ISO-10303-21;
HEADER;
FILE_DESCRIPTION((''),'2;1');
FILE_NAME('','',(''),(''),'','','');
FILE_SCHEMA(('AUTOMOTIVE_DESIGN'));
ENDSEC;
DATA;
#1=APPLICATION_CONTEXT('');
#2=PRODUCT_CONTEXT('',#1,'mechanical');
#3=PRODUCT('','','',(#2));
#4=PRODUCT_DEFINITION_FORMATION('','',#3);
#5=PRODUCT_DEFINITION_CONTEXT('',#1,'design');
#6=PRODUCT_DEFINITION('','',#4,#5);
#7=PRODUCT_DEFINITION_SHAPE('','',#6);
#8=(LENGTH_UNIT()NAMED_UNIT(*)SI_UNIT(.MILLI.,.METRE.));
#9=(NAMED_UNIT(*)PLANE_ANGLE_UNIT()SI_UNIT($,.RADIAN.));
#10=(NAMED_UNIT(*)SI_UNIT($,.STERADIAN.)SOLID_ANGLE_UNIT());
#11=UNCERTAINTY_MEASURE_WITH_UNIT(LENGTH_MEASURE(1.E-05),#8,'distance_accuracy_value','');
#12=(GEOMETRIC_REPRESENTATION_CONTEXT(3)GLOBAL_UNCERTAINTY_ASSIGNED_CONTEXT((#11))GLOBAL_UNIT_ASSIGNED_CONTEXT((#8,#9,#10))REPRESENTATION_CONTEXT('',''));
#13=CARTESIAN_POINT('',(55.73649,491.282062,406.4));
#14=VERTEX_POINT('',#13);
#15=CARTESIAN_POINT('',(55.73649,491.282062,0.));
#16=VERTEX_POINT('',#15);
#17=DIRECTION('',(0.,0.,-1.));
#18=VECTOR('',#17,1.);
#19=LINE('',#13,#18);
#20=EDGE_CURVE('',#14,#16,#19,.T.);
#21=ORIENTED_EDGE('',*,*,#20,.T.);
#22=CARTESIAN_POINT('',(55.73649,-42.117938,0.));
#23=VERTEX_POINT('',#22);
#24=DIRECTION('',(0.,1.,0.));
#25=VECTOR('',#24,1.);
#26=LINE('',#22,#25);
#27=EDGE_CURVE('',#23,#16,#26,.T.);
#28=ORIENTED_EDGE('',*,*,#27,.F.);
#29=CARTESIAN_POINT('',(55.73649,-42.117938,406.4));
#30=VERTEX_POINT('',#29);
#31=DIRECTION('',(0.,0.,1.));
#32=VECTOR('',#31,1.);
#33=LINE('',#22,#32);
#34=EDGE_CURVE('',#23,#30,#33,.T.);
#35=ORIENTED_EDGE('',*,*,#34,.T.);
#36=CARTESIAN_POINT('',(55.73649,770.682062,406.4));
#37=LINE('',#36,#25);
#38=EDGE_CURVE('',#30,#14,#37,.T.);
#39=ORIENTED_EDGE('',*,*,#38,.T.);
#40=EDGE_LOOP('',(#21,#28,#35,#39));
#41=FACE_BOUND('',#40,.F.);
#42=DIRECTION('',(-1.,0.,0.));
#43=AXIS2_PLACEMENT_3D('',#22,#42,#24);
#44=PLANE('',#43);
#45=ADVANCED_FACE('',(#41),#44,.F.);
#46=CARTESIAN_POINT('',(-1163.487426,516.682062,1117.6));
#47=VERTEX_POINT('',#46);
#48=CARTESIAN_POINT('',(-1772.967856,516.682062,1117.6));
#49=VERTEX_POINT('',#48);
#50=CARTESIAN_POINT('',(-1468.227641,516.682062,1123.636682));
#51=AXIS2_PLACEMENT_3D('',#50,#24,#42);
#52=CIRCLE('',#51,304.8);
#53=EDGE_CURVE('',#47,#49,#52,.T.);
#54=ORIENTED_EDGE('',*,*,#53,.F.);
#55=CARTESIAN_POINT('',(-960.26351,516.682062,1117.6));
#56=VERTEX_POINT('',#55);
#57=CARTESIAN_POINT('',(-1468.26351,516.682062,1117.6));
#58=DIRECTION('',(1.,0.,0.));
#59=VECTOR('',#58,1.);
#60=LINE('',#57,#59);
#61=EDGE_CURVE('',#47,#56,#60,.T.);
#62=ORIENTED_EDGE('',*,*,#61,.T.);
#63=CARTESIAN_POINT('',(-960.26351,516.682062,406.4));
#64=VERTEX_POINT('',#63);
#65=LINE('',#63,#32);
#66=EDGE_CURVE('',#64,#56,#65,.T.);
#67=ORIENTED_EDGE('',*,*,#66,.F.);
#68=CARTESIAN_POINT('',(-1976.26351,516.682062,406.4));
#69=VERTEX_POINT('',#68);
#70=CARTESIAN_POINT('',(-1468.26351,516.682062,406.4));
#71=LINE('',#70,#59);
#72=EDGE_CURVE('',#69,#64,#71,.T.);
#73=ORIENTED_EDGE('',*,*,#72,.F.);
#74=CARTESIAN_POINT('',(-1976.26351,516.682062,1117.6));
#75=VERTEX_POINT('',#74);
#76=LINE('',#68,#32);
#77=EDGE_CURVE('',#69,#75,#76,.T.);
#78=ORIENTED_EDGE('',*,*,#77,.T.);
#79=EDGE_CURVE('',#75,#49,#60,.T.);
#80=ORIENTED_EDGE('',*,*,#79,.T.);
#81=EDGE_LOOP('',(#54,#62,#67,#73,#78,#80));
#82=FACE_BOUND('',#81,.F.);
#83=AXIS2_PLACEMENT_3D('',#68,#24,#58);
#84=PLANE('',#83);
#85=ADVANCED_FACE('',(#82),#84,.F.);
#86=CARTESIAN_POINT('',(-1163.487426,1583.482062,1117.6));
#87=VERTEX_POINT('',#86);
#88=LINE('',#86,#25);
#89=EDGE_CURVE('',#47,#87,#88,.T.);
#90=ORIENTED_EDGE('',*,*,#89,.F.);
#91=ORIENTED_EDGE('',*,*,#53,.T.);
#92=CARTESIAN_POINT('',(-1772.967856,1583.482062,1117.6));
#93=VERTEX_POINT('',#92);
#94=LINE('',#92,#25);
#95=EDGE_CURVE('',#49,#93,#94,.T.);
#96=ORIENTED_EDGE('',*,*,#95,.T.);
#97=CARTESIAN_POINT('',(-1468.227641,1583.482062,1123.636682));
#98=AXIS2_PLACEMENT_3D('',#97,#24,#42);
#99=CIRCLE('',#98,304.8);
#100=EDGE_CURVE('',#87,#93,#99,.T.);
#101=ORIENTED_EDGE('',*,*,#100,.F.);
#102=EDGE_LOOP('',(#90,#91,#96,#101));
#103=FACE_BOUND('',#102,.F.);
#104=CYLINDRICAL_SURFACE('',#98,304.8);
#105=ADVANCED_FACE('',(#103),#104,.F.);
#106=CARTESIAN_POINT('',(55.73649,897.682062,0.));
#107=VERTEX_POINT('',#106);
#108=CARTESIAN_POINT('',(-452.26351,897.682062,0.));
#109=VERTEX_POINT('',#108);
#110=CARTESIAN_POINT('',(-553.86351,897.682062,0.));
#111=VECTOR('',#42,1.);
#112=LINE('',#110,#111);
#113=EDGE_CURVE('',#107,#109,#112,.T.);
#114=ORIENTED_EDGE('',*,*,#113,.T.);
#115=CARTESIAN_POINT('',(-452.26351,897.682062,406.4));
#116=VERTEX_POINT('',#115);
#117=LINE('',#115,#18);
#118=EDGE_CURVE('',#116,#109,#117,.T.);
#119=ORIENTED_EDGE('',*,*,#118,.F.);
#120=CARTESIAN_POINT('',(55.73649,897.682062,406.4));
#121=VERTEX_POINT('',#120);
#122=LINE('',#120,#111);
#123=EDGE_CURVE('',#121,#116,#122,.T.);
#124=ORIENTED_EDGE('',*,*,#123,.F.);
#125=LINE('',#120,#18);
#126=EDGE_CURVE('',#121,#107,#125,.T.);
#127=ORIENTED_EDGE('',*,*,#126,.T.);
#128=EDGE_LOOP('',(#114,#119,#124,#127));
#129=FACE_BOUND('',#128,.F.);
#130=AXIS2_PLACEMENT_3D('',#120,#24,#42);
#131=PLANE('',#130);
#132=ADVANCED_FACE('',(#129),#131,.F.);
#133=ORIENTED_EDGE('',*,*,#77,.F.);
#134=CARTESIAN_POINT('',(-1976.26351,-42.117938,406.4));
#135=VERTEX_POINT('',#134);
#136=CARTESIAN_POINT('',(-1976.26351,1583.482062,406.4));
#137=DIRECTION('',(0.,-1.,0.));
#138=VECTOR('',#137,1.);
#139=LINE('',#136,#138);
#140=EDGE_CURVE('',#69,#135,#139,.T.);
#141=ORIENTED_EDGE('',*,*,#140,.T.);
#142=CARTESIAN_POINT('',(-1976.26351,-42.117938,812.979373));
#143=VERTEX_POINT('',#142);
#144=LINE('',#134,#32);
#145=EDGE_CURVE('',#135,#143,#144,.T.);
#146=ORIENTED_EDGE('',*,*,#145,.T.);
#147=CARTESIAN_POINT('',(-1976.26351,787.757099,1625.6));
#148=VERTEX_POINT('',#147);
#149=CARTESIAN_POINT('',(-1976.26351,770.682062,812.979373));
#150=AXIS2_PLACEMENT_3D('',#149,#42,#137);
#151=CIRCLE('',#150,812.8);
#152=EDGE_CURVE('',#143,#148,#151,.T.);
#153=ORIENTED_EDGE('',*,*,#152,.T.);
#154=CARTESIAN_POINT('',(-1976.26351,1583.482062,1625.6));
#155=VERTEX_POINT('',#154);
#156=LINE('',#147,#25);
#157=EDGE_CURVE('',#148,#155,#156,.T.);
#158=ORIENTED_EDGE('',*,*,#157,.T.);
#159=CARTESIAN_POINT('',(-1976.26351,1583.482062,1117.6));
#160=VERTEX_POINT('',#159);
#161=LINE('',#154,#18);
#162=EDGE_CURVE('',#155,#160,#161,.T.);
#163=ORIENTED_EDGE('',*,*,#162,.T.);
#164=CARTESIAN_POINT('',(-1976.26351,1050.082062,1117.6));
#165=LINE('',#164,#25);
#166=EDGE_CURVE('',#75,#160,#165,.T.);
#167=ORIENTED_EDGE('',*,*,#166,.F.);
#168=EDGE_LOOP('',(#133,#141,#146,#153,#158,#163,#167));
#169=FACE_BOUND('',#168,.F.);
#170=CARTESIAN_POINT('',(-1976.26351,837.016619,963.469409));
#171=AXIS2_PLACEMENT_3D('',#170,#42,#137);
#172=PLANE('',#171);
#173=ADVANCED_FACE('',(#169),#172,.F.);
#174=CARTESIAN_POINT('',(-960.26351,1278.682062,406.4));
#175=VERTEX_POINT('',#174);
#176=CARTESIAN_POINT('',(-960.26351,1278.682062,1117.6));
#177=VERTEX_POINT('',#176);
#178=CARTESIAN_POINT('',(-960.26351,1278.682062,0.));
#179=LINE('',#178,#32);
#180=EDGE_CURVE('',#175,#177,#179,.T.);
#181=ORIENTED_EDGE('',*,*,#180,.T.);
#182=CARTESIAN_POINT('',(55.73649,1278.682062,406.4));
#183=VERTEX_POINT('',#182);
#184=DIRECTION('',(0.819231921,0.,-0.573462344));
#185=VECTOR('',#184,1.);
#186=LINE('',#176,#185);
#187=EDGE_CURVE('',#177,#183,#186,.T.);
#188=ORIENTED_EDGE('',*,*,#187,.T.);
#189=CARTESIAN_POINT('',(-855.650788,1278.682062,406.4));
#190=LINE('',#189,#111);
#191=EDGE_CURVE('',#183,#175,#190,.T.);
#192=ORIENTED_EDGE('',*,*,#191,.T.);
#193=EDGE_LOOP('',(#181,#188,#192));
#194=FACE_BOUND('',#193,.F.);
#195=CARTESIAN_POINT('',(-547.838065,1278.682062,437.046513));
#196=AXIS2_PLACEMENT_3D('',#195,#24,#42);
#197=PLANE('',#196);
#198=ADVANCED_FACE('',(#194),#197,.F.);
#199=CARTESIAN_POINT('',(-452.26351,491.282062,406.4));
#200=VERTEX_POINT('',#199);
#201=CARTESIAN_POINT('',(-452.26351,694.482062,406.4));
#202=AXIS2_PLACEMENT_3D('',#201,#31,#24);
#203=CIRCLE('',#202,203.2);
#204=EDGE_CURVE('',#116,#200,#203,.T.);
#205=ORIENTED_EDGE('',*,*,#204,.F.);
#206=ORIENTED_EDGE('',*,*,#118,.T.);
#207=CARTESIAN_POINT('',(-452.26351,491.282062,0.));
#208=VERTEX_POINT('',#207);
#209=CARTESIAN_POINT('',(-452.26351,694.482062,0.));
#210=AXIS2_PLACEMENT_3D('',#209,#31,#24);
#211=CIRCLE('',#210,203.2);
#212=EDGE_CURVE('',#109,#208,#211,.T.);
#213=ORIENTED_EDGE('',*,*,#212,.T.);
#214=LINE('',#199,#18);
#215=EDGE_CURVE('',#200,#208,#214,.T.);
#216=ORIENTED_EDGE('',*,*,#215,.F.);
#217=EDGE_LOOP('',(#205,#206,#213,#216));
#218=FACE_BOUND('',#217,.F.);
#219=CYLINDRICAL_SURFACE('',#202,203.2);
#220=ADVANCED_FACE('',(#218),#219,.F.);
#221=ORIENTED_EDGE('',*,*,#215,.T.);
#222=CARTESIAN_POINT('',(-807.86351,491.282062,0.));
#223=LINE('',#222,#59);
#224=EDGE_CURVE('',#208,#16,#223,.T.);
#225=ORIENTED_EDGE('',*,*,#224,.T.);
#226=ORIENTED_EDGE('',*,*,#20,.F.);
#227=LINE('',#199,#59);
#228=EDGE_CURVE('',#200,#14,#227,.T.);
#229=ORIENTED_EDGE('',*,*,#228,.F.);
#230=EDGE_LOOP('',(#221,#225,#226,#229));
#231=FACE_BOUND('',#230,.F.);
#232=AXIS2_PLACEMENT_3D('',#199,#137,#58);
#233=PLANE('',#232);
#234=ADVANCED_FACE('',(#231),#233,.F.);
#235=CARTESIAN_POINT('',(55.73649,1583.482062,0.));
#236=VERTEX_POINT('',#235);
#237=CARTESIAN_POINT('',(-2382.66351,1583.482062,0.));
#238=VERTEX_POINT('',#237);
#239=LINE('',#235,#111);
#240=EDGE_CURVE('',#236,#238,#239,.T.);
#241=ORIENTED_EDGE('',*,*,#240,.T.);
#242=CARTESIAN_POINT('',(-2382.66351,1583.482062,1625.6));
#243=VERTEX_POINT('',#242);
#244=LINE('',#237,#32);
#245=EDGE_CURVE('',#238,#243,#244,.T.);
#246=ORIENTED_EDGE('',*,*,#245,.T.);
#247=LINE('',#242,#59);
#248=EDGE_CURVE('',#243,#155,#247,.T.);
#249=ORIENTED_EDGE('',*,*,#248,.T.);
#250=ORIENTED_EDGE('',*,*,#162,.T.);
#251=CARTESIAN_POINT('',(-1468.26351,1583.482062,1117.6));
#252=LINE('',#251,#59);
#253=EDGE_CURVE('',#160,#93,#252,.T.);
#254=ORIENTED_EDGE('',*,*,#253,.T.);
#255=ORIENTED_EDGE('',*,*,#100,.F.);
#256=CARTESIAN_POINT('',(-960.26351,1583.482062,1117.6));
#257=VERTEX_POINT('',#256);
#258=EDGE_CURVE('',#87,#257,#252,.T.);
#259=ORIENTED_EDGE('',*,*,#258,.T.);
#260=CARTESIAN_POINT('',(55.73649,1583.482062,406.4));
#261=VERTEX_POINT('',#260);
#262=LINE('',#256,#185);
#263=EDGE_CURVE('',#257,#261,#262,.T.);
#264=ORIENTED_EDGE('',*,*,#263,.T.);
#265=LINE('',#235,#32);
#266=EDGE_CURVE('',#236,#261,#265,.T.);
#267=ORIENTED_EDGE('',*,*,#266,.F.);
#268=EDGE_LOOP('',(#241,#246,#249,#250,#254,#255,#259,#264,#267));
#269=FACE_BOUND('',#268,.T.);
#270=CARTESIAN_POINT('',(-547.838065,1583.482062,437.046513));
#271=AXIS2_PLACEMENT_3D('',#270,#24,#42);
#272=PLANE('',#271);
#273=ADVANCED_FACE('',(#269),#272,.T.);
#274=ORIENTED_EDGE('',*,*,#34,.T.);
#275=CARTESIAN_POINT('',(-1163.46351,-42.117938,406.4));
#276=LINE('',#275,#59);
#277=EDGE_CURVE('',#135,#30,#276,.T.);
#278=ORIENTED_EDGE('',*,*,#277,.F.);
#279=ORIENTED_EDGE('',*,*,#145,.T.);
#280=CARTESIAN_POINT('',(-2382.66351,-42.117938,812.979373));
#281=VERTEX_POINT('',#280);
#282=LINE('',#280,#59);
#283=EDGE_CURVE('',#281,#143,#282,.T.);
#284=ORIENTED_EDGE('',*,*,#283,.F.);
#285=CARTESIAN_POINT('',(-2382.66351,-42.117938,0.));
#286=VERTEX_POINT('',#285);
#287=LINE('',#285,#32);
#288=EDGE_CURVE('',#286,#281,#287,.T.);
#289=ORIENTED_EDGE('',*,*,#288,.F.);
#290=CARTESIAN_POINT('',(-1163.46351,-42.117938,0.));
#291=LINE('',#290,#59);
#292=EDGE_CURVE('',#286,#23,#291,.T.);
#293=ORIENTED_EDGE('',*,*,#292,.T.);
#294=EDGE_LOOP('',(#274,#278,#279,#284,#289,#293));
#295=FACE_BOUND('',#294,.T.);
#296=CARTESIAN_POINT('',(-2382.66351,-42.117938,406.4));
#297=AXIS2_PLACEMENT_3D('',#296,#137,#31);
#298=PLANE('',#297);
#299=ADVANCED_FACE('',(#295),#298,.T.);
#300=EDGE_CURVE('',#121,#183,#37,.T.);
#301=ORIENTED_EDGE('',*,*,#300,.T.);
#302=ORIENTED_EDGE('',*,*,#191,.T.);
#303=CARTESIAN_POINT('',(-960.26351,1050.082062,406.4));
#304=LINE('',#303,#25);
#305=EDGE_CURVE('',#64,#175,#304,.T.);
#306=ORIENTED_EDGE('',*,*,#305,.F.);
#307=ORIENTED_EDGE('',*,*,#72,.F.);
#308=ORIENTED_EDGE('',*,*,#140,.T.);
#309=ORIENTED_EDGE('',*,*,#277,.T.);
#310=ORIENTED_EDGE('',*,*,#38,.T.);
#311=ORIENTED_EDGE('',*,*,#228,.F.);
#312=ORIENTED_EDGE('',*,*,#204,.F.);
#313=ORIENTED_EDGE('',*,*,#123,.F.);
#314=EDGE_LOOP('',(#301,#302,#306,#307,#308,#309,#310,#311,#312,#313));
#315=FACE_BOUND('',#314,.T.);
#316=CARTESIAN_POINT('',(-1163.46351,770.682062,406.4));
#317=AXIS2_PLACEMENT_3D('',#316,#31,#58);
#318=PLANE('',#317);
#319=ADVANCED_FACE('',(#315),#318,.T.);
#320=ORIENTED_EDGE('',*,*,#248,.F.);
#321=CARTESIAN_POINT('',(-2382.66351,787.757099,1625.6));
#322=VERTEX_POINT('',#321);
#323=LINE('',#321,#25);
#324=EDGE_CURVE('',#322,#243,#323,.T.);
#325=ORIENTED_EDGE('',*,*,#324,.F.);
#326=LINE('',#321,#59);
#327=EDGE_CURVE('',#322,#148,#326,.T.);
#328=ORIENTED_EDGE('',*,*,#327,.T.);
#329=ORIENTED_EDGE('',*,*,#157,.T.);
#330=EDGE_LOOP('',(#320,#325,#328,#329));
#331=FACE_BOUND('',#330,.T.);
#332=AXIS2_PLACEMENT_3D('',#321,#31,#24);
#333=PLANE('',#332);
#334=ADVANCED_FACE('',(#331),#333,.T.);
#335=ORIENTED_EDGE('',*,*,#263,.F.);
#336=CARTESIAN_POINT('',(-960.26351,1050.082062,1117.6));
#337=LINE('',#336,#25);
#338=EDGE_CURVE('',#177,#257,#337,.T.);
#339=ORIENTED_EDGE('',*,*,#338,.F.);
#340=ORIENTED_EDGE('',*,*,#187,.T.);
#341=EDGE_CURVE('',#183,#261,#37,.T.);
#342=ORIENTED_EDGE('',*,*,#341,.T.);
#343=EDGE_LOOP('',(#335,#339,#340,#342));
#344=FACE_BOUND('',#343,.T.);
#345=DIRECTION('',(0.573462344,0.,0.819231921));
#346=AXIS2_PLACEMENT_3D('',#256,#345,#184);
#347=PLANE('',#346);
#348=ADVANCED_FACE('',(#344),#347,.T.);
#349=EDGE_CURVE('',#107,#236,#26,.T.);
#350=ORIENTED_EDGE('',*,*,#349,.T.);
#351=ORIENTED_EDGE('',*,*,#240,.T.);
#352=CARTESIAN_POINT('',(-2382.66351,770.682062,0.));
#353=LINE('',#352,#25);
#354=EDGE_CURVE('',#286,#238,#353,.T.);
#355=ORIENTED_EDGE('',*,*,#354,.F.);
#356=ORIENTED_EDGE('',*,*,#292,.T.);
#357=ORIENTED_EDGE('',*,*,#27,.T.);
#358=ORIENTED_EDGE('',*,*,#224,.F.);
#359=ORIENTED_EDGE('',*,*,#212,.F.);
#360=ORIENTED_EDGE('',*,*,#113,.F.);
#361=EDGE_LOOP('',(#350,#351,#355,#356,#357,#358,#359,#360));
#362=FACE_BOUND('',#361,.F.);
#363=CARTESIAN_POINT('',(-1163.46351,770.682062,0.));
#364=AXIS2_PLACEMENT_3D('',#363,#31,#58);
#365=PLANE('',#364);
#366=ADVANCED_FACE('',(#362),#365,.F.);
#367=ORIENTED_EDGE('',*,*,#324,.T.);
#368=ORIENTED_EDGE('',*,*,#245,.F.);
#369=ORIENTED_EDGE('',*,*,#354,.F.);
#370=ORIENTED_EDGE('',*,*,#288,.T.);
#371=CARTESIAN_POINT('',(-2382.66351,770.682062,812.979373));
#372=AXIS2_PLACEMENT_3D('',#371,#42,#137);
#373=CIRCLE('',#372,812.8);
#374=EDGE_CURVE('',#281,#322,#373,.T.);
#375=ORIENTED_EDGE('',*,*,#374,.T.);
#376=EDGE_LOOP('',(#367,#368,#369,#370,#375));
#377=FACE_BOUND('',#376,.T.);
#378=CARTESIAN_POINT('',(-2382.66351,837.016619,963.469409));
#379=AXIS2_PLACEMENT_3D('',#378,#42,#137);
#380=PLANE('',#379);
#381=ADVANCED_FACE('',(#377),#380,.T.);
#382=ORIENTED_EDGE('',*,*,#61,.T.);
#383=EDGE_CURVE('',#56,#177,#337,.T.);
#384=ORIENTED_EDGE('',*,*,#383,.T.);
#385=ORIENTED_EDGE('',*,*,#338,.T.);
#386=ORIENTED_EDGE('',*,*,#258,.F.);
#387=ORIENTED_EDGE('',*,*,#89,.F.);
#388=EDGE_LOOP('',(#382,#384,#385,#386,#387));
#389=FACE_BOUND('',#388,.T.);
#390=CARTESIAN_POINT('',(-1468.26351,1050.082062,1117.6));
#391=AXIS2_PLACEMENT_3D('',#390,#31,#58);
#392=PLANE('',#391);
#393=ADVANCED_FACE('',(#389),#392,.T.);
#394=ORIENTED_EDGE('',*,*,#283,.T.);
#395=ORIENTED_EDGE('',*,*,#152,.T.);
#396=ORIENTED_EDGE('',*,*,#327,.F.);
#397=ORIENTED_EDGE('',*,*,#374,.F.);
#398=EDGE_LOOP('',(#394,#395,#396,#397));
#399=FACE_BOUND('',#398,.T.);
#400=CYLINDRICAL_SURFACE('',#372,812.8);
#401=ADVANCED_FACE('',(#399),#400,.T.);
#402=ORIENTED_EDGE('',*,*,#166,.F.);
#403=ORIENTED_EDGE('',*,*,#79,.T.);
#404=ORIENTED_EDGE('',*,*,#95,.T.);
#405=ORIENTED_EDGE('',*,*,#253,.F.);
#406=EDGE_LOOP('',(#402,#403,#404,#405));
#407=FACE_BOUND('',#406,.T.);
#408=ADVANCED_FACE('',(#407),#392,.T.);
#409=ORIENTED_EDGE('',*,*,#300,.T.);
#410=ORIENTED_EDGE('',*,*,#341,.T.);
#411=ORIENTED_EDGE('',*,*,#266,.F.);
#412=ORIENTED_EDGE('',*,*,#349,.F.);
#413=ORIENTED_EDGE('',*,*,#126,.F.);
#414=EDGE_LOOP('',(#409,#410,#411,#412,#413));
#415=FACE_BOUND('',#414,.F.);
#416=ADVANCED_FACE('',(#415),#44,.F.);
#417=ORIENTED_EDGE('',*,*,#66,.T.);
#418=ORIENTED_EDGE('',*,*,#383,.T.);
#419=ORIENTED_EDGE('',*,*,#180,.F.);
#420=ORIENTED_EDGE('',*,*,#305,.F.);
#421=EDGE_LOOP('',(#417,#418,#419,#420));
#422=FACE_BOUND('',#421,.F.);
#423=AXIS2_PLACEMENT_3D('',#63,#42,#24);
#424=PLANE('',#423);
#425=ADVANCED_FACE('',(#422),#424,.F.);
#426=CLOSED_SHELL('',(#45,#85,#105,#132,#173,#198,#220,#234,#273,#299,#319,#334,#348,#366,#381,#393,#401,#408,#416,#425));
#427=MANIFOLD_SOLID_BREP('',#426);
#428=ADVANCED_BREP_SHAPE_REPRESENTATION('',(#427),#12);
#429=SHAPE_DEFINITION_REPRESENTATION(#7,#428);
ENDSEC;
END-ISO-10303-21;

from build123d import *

# Parameters (mm, degrees)
F0_W      = 2438.4
F0_H      = 1625.6
F1_DEPTH  = 406.4
F3_DEPTH  = 406.4
F4_W      = 1016
F4_H      = 1066.8
F5_DEPTH  = 711.2
F7_DEPTH  = 304.8
F8_R      = 304.8
F9_DEPTH  = 1625.601
F11_DEPTH = 406.401


with BuildPart() as f1:
    # F0 (on Top) → F1 (new body)
    with BuildSketch(Plane.XY):
        with Locations((-1163.46351, 770.682062)):
            Rectangle(F0_W, F0_H)
    extrude(amount=F1_DEPTH)

    # F2 (on face) → F3 (join)
    with BuildSketch(Plane(origin=(-2382.66351, 0, 0), x_dir=(0, -1, 0), z_dir=(-1, 0, 0))):
        with BuildLine():
            Line((-1583.482062, 1625.6), (-1583.482062, 406.4))
            Line((-1583.482062, 406.4), (42.117938, 406.4))
            Line((42.117938, 406.4), (42.117938, 812.979373))
            ThreePointArc((42.117938, 812.979373), (-202.01465, 1393.721325), (-787.757099, 1625.6))
            Line((-787.757099, 1625.6), (-1583.482062, 1625.6))
        make_face()
    extrude(amount=-F3_DEPTH)

    # F4 (on face) → F5 (join)
    with BuildSketch(Plane.XY.offset(406.4)):
        with Locations((-1468.26351, 1050.082062)):
            Rectangle(F4_W, F4_H)
    extrude(amount=F5_DEPTH)

    # F6 (on face) → F7 (join)
    with BuildSketch(Plane(origin=(0, 1583.482062, 0), x_dir=(-1, 0, 0), z_dir=(0, 1, 0))):
        Polygon((960.26351, 1117.6), (-55.73649, 406.4), (-55.73649, 0), (960.26351, 0), align=None)
    extrude(amount=-F7_DEPTH)

    # F8 (on face) → F9 (cut, through all)
    with BuildSketch(Plane(origin=(0, 1583.482062, 0), x_dir=(-1, 0, 0), z_dir=(0, 1, 0))):
        with Locations((1468.227641, 1123.636682)):
            Circle(F8_R)
    extrude(amount=-F9_DEPTH, mode=Mode.SUBTRACT)

    # F10 (on face) → F11 (cut, through all)
    with BuildSketch(Plane.XY.offset(406.4)):
        with BuildLine():
            Line((-452.26351, 491.282062), (55.73649, 491.282062))
            Line((55.73649, 491.282062), (55.73649, 897.682062))
            Line((55.73649, 897.682062), (-452.26351, 897.682062))
            ThreePointArc((-452.26351, 897.682062), (-655.46351, 694.482062), (-452.26351, 491.282062))
        make_face()
    extrude(amount=-F11_DEPTH, mode=Mode.SUBTRACT)


solid = f1.part
